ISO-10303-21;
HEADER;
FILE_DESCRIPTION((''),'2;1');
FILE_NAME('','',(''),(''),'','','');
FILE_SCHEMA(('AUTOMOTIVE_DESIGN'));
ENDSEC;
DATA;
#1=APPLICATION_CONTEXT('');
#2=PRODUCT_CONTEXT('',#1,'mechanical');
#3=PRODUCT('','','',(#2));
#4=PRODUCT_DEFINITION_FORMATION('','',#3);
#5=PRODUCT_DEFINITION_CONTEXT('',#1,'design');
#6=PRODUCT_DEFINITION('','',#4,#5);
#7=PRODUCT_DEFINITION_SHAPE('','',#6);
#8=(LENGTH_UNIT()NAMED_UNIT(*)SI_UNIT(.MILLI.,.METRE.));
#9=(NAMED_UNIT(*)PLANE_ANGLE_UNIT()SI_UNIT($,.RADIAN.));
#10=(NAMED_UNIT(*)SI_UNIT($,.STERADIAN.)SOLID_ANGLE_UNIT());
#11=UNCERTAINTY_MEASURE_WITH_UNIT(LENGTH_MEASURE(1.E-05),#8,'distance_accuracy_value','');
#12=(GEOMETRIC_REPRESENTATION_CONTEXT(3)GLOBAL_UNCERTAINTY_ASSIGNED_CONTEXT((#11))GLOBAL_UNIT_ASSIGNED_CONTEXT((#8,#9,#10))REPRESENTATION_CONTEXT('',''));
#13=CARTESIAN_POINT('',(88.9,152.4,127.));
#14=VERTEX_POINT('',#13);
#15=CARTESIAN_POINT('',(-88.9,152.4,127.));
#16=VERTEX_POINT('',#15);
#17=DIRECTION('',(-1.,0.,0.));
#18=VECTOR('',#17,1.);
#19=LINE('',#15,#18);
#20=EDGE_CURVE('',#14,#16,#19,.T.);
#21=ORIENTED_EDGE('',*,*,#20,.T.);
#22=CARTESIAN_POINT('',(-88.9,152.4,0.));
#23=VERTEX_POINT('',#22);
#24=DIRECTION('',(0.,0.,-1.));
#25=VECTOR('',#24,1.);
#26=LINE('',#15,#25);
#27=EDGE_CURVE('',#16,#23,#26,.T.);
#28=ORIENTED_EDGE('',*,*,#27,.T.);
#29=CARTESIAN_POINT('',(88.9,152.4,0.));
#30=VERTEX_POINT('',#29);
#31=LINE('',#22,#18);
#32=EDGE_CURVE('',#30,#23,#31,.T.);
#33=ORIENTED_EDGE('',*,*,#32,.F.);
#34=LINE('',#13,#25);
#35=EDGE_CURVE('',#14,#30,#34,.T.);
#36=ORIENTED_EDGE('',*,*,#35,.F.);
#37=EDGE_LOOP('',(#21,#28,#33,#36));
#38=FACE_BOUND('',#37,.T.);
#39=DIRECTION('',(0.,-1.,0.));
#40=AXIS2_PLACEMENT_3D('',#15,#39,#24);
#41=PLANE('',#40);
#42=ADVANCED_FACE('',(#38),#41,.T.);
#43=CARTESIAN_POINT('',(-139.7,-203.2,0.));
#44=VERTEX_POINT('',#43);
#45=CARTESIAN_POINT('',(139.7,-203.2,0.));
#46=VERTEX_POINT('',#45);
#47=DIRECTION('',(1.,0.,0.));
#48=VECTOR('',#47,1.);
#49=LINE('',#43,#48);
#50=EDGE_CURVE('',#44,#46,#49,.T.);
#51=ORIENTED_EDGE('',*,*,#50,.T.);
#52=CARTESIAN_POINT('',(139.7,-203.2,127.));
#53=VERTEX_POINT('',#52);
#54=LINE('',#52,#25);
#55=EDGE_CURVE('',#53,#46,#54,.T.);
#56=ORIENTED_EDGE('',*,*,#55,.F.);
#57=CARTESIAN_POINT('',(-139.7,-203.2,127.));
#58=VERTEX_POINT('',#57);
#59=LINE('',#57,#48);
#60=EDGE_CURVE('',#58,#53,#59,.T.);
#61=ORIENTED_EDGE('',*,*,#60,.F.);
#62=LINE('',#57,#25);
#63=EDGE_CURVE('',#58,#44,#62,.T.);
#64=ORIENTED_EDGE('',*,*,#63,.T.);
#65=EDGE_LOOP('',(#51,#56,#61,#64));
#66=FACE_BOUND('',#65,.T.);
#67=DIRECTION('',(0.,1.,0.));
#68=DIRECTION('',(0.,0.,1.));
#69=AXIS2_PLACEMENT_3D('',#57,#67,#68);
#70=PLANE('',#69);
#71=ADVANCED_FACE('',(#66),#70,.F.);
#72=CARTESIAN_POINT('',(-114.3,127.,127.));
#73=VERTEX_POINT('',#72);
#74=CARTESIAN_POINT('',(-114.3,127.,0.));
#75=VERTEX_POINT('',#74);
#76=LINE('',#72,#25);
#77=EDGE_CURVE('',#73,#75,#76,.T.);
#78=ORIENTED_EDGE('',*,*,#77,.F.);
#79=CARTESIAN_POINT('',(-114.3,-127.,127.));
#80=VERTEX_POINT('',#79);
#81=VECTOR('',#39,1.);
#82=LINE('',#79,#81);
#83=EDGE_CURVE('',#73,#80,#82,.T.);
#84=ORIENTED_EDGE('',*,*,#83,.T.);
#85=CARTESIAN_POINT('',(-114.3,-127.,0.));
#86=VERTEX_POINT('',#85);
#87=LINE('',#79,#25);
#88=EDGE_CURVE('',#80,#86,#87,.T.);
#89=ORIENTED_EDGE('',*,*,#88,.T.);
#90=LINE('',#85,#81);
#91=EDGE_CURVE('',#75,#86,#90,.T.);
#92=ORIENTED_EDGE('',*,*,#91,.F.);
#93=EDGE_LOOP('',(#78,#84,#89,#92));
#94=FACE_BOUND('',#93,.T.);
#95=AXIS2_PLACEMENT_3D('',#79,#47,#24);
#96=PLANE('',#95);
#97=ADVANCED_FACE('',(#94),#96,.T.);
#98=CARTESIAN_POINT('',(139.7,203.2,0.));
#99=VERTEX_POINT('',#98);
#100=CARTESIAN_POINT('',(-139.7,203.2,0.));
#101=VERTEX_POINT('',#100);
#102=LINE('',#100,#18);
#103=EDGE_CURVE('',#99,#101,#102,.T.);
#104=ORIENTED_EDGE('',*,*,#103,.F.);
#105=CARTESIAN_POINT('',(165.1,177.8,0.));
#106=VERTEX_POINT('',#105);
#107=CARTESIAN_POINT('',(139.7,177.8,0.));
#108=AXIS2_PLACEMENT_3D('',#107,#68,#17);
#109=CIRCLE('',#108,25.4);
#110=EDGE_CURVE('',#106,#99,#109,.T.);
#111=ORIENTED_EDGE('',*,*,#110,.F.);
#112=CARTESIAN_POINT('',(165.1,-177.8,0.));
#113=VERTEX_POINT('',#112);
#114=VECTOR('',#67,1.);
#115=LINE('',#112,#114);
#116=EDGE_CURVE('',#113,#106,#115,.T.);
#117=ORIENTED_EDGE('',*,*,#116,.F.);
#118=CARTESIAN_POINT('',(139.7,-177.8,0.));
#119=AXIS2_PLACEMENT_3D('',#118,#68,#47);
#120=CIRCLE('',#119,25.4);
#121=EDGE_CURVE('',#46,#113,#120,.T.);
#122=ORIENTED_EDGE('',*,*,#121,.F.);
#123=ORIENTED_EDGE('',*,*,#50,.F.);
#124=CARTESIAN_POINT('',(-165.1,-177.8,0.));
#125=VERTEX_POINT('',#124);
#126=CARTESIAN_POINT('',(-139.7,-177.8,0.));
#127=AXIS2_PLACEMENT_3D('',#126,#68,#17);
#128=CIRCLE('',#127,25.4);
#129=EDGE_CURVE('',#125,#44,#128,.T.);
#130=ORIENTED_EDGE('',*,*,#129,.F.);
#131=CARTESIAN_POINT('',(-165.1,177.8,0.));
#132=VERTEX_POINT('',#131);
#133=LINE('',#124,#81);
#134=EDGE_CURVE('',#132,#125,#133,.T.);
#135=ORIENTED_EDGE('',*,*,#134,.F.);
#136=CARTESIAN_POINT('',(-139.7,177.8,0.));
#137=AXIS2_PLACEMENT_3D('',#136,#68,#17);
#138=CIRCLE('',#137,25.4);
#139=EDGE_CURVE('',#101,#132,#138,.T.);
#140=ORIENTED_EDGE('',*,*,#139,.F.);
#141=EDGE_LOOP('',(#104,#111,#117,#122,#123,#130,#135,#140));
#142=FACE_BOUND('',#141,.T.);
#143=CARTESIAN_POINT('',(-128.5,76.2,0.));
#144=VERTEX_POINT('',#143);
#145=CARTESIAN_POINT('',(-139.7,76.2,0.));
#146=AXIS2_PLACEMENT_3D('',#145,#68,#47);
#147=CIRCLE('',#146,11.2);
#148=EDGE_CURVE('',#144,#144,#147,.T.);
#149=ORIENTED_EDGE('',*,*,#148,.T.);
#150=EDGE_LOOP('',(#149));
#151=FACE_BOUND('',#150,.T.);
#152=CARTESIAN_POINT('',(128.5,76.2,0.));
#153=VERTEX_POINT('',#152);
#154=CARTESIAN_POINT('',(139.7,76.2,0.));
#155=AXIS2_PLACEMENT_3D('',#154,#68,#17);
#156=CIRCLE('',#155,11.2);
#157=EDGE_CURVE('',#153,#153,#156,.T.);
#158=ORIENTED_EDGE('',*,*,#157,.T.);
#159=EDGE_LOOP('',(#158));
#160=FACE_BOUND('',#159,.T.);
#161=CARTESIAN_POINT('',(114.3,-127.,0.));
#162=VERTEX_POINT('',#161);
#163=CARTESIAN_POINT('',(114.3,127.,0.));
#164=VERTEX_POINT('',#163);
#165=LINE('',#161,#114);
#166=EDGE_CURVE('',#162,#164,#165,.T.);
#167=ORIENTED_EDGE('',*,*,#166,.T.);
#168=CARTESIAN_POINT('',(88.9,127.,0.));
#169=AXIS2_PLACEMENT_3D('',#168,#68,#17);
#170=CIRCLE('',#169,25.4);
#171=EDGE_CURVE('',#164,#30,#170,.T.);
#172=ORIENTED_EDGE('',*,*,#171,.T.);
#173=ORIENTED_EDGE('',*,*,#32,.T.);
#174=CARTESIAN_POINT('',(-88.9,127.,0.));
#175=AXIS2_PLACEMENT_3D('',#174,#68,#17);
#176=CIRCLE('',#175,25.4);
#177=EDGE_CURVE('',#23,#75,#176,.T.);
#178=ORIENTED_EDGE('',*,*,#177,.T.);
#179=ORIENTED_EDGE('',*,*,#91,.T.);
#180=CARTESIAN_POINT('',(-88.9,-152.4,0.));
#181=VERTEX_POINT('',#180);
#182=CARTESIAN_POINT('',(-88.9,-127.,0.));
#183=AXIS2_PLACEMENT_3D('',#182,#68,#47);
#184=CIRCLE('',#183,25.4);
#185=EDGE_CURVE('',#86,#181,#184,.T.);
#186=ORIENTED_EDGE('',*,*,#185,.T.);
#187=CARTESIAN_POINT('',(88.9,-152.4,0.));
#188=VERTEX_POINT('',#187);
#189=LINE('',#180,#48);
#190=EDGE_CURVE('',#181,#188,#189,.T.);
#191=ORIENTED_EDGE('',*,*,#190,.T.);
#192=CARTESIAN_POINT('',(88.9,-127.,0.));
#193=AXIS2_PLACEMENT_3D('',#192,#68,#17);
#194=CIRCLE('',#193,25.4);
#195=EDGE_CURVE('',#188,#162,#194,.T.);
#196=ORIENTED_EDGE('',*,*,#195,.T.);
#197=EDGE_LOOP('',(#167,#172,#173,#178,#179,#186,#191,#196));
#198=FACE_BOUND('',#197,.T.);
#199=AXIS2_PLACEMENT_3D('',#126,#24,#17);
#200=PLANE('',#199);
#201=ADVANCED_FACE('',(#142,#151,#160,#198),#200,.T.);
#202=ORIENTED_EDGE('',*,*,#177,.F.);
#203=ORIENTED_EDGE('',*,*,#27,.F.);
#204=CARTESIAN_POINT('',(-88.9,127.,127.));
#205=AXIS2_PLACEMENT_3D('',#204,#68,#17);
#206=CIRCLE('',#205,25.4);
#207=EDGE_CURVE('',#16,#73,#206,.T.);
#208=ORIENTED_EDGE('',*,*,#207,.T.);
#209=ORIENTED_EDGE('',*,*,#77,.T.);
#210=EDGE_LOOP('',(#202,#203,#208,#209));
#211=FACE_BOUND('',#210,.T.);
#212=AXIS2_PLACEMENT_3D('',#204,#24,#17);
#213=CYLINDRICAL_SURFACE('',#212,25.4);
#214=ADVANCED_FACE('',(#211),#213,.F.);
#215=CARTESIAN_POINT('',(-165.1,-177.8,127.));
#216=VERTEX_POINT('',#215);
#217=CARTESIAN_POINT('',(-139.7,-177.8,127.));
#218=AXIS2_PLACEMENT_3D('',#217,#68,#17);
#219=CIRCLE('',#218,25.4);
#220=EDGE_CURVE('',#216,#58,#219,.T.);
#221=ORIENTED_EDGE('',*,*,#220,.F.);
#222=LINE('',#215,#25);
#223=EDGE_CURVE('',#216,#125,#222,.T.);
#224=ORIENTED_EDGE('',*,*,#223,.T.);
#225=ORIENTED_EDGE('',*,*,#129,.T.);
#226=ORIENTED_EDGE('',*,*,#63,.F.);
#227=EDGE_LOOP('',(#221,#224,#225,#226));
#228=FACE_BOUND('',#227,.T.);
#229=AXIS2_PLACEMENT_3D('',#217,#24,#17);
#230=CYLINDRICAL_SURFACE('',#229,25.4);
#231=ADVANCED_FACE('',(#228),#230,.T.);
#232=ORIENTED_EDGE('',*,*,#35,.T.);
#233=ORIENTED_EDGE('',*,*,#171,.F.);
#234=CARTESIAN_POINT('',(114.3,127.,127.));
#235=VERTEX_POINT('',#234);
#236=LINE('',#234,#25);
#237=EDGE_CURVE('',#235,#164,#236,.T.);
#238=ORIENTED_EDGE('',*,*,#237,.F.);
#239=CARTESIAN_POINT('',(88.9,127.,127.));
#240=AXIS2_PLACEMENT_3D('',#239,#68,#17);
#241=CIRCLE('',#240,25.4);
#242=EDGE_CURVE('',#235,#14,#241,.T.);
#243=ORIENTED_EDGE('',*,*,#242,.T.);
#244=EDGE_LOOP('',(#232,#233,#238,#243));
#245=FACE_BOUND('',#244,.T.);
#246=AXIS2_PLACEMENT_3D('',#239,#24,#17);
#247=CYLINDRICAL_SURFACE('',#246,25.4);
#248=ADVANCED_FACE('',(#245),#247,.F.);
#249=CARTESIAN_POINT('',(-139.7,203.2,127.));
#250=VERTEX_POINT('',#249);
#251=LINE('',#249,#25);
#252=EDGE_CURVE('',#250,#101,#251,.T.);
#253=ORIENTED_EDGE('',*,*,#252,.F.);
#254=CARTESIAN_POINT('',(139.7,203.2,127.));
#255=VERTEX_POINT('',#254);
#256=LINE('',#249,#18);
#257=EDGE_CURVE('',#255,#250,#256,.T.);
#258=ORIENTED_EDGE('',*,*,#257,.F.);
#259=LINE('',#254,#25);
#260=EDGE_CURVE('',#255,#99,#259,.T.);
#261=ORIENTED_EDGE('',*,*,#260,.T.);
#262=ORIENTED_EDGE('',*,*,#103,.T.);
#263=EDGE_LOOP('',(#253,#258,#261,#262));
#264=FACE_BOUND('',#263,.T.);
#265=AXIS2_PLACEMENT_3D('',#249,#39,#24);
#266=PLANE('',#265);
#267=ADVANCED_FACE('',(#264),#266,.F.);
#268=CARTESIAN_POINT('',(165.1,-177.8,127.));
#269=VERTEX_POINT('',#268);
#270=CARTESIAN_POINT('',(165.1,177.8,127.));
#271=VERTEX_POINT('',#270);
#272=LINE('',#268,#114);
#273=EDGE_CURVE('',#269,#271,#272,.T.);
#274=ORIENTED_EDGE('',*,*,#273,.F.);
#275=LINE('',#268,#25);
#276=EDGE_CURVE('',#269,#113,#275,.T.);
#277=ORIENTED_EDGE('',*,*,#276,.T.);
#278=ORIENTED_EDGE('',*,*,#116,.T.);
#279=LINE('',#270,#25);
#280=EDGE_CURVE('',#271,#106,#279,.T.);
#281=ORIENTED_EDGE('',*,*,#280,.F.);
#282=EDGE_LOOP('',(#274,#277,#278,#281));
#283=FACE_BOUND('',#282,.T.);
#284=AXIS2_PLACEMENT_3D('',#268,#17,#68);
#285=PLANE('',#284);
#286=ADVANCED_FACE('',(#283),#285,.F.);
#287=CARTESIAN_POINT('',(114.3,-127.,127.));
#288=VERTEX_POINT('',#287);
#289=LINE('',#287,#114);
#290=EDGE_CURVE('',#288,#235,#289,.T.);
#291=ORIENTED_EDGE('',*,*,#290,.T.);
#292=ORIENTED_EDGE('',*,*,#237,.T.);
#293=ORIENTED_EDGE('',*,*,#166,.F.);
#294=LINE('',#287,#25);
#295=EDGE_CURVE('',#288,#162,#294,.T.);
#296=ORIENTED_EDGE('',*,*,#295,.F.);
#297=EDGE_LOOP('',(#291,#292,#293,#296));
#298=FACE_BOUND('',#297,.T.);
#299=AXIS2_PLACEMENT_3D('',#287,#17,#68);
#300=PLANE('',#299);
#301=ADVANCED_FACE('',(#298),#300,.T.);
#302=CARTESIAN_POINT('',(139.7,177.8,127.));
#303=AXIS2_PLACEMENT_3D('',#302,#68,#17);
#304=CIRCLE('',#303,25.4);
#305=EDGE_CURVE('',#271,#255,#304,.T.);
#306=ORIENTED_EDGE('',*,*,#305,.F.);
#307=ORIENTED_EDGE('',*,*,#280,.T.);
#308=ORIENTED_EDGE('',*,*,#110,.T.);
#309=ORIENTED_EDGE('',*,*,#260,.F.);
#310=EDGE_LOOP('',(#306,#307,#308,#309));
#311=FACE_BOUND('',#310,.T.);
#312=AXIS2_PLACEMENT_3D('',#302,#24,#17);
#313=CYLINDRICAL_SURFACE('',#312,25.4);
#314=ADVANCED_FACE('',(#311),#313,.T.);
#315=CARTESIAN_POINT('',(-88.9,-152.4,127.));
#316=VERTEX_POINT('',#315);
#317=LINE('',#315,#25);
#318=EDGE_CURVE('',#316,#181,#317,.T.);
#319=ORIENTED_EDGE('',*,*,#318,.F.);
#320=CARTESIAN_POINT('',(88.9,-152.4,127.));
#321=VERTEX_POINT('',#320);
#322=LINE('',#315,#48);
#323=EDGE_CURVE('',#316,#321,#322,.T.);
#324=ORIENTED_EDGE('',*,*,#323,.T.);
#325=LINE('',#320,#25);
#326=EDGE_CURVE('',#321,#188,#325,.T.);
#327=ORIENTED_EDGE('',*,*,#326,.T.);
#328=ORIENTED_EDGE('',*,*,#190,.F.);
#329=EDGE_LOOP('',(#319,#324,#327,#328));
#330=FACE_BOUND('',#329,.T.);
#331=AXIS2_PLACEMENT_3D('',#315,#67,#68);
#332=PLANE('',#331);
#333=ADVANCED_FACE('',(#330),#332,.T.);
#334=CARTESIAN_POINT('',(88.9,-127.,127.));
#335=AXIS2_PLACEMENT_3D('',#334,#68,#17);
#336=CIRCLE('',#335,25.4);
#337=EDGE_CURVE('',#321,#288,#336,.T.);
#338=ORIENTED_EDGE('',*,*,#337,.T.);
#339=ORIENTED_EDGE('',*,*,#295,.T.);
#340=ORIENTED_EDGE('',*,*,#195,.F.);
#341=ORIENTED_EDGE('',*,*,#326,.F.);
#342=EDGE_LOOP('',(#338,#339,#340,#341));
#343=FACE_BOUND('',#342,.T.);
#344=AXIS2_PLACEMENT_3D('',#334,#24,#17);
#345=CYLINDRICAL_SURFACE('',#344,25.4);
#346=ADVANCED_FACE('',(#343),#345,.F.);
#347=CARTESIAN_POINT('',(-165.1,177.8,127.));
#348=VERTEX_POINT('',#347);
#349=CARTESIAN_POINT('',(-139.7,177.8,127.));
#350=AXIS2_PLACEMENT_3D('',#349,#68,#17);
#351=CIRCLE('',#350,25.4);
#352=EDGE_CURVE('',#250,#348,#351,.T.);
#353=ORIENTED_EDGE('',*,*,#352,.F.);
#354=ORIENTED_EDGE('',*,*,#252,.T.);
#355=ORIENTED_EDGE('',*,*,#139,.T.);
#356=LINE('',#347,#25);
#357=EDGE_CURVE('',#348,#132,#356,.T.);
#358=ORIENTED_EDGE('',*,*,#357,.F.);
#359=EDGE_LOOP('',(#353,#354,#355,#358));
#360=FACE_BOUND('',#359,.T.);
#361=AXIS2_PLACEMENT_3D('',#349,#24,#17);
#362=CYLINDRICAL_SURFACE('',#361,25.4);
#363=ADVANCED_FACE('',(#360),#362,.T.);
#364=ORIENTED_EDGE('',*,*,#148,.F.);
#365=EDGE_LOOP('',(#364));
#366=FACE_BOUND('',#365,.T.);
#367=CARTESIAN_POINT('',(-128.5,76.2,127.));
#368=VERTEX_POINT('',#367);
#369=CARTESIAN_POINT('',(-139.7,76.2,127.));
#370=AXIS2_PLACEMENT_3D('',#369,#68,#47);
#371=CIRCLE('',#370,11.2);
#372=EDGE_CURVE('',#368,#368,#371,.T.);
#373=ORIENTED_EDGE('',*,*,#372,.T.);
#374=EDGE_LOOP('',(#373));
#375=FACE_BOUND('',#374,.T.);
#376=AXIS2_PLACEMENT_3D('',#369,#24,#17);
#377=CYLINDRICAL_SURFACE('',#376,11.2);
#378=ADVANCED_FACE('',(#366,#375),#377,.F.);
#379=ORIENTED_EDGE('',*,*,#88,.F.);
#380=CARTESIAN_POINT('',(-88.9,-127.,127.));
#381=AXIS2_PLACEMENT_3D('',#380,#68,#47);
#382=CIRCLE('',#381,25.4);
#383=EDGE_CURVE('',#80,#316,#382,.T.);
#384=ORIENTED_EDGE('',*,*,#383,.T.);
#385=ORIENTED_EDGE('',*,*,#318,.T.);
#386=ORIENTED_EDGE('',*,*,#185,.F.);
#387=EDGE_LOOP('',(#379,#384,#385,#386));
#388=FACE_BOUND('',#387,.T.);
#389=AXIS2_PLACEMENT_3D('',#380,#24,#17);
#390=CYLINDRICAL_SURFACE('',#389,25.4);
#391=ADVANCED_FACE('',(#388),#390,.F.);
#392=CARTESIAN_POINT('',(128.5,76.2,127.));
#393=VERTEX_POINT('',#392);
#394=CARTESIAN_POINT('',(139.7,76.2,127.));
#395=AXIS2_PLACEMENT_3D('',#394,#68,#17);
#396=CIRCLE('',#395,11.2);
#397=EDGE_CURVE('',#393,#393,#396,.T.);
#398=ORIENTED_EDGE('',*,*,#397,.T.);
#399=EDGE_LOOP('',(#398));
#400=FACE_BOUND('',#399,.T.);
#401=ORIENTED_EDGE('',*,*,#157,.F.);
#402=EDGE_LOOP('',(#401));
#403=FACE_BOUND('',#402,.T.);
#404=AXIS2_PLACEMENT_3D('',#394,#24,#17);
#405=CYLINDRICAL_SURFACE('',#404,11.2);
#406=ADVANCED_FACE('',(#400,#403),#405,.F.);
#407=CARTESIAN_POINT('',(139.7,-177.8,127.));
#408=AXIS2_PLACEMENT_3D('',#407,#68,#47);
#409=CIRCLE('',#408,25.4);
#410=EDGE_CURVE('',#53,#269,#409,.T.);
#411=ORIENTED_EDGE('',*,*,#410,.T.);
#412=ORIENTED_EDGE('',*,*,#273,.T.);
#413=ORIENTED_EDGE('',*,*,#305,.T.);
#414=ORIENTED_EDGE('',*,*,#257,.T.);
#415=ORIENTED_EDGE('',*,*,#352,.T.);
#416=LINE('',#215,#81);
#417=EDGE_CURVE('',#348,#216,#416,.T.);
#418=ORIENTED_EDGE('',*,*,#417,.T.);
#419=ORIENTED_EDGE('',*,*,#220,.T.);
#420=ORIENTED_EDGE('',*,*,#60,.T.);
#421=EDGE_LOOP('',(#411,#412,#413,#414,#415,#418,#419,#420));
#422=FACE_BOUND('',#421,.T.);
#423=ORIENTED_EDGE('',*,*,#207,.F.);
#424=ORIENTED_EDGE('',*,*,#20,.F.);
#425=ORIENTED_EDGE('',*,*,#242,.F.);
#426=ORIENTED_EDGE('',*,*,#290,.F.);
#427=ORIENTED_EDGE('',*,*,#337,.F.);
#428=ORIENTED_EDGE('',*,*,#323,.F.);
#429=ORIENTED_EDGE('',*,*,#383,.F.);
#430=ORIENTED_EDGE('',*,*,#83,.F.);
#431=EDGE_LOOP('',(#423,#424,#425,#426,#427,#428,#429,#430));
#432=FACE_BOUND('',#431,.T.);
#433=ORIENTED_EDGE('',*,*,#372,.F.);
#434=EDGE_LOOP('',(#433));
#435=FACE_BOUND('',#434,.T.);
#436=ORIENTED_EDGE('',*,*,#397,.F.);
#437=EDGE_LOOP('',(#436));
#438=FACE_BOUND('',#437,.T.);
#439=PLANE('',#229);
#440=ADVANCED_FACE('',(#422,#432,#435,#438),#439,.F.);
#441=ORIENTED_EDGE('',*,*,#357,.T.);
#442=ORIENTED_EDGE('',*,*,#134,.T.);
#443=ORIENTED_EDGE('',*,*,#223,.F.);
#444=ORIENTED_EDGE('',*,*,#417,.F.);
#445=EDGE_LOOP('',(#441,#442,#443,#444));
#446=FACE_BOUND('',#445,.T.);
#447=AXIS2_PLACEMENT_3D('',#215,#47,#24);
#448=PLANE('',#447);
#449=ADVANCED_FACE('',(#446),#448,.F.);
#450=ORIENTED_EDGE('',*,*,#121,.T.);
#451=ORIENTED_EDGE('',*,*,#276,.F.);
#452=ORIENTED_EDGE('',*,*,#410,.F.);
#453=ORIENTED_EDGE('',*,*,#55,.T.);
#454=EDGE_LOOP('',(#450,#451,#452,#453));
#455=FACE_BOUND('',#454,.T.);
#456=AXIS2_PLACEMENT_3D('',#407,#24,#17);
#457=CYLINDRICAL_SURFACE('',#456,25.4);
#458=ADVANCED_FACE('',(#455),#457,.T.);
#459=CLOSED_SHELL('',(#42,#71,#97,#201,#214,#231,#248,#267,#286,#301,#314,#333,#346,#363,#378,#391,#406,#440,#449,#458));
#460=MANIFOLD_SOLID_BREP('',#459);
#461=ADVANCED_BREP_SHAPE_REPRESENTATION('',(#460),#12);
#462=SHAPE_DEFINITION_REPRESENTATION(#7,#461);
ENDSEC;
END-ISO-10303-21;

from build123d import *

# Parameters (mm, degrees)
SKETCH1_R           = 11.2
BOSS_EXTRUDE1_DEPTH = 127


with BuildPart() as part:
    # Sketch1 → Boss-Extrude1 (new body)
    with BuildSketch(Plane.XY):
        with BuildLine():
            Line((-139.7, -203.2), (139.7, -203.2))
            ThreePointArc((139.7, -203.2), (157.660512242, -195.760512242), (165.1, -177.8))
            Line((165.1, -177.8), (165.1, 177.8))
            ThreePointArc((165.1, 177.8), (157.660512242, 195.760512242), (139.7, 203.2))
            Line((139.7, 203.2), (-139.7, 203.2))
            ThreePointArc((-139.7, 203.2), (-157.660512242, 195.760512242), (-165.1, 177.8))
            Line((-165.1, 177.8), (-165.1, -177.8))
            ThreePointArc((-165.1, -177.8), (-157.660512242, -195.760512242), (-139.7, -203.2))
        make_face()
        with Locations((-139.7, 76.2)):
            Circle(SKETCH1_R, mode=Mode.SUBTRACT)
        with Locations((139.7, 76.2)):
            Circle(SKETCH1_R, mode=Mode.SUBTRACT)
        with BuildLine():
            Line((-114.3, -127), (-114.3, 127))
            ThreePointArc((-114.3, 127), (-106.860512242, 144.960512242), (-88.9, 152.4))
            Line((-88.9, 152.4), (88.9, 152.4))
            ThreePointArc((88.9, 152.4), (106.860512242, 144.960512242), (114.3, 127))
            Line((114.3, 127), (114.3, -127))
            ThreePointArc((114.3, -127), (106.860512242, -144.960512242), (88.9, -152.4))
            Line((88.9, -152.4), (-88.9, -152.4))
            ThreePointArc((-88.9, -152.4), (-106.860512242, -144.960512242), (-114.3, -127))
        make_face(mode=Mode.SUBTRACT)
    extrude(amount=BOSS_EXTRUDE1_DEPTH)


solid = part.part
